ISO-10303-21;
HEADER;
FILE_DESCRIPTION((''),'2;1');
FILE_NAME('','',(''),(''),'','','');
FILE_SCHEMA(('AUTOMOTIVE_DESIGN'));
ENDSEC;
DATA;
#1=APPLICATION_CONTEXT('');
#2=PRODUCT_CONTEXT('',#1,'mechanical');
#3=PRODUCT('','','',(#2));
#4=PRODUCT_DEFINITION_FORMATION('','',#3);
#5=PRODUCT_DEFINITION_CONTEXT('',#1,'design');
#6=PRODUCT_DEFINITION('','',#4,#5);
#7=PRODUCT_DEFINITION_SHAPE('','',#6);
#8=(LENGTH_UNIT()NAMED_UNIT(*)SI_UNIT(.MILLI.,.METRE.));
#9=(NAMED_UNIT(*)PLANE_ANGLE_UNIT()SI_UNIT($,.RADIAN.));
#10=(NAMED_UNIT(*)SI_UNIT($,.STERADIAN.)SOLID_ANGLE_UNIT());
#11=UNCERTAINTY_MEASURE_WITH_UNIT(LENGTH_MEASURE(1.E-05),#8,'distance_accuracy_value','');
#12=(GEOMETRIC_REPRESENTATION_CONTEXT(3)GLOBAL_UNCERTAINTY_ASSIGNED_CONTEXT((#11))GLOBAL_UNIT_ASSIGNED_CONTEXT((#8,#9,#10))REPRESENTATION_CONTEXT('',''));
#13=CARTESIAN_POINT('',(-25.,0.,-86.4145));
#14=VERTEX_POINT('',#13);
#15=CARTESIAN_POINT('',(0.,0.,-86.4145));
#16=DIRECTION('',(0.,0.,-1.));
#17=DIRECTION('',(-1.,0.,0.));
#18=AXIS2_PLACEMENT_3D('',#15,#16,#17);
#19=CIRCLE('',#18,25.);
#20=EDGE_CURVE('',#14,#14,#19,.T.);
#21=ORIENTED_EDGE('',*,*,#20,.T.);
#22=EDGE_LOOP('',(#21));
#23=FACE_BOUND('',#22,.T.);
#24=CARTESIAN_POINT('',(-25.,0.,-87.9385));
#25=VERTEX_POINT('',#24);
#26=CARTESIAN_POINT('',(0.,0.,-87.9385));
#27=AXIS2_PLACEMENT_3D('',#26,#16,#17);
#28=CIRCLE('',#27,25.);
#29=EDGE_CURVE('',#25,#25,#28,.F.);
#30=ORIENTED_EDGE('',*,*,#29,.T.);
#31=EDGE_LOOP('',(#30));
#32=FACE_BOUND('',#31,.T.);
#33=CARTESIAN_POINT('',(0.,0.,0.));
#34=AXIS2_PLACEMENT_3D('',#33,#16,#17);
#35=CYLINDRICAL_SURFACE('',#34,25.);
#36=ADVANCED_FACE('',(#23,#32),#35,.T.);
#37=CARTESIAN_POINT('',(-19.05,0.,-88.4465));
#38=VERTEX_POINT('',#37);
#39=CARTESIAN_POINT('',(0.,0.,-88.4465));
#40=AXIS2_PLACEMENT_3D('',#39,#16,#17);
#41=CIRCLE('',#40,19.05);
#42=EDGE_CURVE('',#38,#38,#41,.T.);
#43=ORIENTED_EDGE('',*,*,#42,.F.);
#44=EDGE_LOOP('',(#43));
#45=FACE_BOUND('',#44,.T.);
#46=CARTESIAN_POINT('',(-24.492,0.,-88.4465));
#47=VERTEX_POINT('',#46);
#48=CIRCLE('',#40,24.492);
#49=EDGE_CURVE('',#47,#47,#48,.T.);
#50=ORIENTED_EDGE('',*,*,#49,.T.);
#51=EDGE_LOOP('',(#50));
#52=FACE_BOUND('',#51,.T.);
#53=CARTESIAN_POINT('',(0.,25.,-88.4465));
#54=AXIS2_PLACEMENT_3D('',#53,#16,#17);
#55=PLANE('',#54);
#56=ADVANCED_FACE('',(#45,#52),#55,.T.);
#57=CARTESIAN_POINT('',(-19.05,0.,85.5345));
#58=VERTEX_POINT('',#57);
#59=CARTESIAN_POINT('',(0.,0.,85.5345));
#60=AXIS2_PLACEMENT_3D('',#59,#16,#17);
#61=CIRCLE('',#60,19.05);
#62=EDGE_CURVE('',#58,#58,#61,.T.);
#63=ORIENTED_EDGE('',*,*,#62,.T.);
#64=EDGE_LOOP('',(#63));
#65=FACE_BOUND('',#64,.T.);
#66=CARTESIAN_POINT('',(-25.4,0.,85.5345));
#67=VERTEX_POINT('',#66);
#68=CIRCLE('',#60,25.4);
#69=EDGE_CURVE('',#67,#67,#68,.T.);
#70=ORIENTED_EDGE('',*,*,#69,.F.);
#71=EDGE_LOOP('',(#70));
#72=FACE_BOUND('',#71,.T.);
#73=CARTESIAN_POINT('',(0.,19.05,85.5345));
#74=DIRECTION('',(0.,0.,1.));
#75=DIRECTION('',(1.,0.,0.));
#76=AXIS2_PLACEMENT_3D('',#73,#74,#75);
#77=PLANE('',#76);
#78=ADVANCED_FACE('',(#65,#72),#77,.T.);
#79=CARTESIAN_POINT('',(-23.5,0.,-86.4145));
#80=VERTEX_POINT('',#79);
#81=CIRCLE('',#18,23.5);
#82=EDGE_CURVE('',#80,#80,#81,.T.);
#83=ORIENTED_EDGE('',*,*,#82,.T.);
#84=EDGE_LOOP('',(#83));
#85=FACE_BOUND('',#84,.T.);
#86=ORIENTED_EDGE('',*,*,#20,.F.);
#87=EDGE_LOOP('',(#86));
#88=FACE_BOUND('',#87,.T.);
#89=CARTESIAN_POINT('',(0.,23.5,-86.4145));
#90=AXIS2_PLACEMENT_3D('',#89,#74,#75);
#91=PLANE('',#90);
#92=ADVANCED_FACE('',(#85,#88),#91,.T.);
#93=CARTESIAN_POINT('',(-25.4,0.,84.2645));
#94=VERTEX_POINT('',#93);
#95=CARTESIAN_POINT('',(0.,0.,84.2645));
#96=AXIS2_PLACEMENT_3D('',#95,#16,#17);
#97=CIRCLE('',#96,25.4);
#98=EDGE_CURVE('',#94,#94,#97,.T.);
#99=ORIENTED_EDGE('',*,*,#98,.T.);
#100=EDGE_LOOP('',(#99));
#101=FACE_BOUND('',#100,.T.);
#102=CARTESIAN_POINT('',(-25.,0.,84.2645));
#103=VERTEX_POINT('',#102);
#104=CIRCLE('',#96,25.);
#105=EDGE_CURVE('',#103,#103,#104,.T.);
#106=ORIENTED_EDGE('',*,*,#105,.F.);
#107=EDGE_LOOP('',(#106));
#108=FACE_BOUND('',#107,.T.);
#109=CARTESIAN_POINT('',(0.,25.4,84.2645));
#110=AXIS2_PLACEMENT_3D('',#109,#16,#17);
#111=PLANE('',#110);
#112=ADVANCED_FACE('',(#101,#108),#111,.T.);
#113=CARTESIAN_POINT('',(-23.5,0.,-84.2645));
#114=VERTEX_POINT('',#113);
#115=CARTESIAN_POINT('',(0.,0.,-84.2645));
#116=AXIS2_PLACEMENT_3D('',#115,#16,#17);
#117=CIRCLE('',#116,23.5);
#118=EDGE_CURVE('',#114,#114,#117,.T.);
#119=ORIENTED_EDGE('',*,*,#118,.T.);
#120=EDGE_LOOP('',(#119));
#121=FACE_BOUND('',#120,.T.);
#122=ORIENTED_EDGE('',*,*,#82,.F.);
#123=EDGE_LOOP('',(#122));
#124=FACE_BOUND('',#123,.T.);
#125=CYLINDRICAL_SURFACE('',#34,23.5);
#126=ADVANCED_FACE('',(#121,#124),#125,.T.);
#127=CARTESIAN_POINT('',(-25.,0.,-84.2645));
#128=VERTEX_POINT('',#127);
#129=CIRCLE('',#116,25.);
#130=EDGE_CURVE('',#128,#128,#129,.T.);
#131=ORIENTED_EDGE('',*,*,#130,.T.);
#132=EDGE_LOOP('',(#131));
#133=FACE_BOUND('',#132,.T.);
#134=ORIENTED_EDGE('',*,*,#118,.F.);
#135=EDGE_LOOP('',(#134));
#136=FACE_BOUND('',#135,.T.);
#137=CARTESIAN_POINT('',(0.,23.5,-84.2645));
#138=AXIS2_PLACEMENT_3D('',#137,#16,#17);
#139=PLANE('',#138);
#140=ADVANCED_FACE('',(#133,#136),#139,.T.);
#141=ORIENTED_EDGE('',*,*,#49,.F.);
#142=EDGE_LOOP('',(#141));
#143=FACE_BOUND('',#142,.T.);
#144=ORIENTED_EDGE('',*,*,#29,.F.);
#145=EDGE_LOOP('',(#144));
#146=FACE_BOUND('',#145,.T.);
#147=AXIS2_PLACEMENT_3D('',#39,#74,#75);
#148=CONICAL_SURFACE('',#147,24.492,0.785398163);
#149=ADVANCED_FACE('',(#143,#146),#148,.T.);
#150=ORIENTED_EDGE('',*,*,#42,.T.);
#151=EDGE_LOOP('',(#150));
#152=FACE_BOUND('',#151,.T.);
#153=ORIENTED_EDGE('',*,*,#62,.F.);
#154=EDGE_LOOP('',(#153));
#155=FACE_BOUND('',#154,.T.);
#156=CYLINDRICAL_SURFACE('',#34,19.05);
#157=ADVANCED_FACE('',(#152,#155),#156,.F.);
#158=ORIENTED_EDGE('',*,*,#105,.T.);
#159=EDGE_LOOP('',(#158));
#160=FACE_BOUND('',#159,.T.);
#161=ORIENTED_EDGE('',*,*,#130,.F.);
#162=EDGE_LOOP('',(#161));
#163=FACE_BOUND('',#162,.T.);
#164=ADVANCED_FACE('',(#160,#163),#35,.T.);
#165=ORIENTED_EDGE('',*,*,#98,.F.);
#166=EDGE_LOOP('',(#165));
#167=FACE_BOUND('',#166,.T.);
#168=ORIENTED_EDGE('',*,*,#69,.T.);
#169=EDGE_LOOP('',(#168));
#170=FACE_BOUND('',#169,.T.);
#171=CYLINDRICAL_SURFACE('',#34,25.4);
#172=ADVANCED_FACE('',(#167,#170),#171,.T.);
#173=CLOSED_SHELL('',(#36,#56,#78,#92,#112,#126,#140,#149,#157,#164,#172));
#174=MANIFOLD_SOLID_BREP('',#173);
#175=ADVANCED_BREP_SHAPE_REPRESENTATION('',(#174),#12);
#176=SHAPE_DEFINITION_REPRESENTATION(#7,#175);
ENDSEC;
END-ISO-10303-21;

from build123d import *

# Parameters (mm, degrees)
CHAMFER1_SIZE = 0.508


with BuildPart() as part:
    # Sketch1 → Revolve1 (revolve)
    with BuildSketch(Plane(origin=(0, 0, 0), x_dir=(0, 0, -1), z_dir=(1, 0, 0)), mode=Mode.PRIVATE) as revolve1_sk:
        Polygon((-85.5345, 19.05), (88.4465, 19.05), (88.4465, 25), (86.4145, 25), (86.4145, 23.5), (84.2645, 23.5), (84.2645, 25), (-84.2645, 25), (-84.2645, 25.4), (-85.5345, 25.4), align=None)
    revolve(revolve1_sk.sketch.rotate(Axis((0, 0, 0), (0, 0, 1)), 90), axis=Axis((0, 0, 0), (0, 0, 1)))

    # Chamfer1
    chamfer1_edges = [part.edges().sort_by_distance(p)[0] for p in [
        (25, 0, -88.4465),
    ]]
    chamfer(chamfer1_edges, length=CHAMFER1_SIZE)


solid = part.part
